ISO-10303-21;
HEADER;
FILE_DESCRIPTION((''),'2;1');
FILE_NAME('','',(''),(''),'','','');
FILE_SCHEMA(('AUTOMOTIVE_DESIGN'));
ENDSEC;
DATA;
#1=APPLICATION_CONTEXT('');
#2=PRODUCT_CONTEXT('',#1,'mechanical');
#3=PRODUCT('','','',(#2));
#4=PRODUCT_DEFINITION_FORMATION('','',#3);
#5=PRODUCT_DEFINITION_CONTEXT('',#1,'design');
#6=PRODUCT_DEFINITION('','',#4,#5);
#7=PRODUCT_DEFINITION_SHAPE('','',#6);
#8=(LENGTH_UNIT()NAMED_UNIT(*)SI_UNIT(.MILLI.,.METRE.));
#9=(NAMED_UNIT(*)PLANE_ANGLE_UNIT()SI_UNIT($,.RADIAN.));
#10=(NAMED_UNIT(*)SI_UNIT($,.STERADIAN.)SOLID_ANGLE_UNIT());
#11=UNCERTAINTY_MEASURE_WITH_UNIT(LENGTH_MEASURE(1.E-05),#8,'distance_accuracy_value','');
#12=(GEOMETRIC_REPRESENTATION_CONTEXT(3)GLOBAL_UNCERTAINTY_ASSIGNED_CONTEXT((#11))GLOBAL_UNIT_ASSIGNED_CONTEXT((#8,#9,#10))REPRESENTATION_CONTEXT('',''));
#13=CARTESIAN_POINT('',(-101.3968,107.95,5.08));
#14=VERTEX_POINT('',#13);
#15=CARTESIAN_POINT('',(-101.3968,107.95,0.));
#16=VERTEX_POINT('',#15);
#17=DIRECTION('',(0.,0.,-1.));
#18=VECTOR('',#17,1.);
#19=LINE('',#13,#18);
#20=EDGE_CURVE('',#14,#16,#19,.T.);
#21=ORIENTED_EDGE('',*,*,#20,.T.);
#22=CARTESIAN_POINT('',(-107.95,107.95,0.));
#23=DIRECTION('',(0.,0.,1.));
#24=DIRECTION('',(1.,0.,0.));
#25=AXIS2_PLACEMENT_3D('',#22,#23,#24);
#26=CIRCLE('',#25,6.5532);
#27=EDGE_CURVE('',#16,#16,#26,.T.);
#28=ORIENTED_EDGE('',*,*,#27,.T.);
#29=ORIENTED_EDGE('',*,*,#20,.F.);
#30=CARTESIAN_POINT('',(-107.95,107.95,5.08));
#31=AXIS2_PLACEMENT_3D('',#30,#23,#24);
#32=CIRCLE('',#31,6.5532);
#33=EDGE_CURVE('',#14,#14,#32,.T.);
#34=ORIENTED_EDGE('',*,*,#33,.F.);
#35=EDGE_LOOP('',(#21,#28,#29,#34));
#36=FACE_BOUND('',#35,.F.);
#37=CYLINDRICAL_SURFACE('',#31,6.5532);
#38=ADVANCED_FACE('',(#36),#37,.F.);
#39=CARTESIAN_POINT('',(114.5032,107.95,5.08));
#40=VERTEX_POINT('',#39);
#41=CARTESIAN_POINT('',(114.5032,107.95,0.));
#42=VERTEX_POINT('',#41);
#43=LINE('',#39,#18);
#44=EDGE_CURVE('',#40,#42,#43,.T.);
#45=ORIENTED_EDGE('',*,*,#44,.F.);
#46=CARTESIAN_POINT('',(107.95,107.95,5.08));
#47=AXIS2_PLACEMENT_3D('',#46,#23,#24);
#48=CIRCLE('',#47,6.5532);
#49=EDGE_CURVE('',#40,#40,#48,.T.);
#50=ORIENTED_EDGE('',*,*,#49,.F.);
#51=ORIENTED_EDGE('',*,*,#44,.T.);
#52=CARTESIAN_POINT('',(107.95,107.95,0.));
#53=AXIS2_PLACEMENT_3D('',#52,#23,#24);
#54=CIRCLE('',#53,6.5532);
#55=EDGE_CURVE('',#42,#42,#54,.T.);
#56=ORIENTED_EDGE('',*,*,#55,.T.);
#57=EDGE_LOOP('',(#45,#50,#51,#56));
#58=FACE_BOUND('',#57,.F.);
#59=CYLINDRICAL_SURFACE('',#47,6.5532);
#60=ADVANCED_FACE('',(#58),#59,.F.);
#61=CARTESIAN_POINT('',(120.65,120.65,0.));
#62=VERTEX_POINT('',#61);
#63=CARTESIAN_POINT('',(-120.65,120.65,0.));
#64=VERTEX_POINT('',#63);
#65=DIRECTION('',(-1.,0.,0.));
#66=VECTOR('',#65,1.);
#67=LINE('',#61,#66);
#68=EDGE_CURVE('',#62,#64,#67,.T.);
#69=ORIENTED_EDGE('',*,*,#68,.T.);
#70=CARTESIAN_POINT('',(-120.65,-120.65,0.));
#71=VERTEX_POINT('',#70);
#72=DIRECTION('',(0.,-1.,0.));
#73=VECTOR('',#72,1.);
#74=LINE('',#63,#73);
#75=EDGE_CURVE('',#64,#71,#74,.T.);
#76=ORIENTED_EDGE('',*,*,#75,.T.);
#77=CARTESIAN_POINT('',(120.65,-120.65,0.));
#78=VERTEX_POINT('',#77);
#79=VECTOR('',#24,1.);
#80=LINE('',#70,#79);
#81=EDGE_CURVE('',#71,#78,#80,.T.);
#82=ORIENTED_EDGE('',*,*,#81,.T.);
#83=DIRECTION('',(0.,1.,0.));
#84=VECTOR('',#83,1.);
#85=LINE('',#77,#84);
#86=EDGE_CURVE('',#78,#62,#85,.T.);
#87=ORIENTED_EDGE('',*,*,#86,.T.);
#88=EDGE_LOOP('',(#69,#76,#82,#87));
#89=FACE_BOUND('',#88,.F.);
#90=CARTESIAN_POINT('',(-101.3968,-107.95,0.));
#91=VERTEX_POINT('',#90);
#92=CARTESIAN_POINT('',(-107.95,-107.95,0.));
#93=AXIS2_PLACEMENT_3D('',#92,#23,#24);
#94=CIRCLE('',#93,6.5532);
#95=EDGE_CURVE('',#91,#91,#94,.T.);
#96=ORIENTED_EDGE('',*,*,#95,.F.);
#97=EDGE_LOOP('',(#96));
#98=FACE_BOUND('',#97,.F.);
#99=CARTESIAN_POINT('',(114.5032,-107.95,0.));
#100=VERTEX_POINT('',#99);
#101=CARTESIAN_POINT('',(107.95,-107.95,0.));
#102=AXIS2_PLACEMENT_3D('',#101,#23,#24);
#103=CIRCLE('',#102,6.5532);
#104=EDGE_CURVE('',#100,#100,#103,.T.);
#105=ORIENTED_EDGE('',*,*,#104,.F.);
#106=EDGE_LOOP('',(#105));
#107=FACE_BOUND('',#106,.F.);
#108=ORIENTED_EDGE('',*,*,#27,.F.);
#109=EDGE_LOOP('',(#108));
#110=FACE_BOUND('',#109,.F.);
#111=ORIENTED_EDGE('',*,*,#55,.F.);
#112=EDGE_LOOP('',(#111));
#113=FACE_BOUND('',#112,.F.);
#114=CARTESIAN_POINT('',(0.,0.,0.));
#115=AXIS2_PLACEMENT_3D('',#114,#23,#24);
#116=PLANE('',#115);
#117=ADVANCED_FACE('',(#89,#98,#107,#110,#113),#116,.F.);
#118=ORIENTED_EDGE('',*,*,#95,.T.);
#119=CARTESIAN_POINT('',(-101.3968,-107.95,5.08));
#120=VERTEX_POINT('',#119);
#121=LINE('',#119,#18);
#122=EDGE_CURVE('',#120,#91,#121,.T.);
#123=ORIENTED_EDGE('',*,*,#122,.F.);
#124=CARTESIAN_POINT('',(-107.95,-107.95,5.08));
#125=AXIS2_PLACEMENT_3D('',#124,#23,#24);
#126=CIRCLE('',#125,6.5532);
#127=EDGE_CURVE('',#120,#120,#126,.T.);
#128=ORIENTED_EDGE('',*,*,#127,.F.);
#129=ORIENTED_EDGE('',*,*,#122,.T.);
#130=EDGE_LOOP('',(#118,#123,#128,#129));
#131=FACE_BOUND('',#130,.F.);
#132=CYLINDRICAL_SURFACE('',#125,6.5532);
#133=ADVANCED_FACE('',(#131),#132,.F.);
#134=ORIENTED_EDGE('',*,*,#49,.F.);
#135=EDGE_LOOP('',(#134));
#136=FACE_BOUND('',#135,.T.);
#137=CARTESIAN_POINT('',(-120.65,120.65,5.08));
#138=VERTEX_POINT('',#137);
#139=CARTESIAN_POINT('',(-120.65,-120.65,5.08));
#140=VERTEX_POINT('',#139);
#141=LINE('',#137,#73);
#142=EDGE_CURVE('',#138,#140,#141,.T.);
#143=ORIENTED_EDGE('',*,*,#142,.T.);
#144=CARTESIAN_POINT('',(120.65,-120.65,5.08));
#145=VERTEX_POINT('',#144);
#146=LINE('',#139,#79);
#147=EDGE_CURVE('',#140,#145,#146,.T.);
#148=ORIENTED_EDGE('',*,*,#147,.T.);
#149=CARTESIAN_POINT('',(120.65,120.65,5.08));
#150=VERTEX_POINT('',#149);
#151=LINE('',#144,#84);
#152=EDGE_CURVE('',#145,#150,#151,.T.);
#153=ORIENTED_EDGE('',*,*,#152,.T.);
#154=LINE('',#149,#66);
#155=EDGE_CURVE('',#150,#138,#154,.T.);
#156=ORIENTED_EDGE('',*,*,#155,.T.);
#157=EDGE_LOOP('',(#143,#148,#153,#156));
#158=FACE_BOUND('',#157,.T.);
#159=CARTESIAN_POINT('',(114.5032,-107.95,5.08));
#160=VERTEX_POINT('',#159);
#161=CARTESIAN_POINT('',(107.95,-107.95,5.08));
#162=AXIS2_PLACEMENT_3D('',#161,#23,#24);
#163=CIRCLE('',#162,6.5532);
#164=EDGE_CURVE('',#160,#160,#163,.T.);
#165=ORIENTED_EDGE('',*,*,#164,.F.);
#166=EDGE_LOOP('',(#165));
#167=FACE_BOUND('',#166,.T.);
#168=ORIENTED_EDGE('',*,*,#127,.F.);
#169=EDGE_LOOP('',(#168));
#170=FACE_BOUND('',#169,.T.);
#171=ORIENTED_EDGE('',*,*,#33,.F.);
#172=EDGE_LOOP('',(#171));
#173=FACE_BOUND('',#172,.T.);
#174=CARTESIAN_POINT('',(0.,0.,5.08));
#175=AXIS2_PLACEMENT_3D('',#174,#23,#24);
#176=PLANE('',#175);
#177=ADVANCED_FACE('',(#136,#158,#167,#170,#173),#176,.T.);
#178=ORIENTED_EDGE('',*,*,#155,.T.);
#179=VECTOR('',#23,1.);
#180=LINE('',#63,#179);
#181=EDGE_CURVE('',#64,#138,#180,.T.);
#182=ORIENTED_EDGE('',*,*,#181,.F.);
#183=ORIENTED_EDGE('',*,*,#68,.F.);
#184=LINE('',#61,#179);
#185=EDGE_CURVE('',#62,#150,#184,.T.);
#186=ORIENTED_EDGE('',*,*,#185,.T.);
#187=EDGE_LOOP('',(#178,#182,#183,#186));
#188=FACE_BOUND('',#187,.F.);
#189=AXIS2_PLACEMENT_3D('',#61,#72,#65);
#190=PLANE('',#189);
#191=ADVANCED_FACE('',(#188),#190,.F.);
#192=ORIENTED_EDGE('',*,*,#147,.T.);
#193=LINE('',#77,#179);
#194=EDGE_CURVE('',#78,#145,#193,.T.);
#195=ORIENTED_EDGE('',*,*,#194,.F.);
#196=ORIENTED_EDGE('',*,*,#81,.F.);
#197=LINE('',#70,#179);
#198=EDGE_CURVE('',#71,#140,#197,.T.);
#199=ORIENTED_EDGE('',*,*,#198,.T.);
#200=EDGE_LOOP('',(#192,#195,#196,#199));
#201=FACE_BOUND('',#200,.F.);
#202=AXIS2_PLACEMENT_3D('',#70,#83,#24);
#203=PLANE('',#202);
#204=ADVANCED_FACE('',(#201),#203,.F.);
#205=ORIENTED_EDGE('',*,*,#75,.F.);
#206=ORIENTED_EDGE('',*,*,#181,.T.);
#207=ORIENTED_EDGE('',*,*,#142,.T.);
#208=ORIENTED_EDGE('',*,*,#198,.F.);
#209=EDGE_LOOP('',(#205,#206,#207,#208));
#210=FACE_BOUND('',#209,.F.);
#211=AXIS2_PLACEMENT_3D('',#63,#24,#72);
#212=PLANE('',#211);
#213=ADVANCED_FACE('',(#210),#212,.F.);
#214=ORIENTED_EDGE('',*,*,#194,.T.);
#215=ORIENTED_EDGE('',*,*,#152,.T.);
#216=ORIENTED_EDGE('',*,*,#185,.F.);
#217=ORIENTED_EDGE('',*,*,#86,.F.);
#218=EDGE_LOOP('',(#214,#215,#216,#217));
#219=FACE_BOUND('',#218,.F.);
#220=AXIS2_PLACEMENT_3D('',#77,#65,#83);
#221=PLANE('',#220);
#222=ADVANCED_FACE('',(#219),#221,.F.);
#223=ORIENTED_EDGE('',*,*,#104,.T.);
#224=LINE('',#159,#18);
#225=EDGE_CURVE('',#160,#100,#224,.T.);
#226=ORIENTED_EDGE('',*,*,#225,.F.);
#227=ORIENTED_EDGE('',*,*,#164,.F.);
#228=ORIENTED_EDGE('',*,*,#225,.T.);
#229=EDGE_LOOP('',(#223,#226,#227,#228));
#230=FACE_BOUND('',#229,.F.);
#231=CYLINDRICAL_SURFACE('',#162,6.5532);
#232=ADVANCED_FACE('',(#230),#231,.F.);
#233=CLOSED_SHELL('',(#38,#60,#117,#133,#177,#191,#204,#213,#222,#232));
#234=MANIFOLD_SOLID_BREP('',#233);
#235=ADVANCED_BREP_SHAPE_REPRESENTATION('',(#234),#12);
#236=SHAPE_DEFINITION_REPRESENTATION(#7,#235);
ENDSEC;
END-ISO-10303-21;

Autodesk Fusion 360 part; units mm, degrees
sketch "Module Outline" plane through (0, 0, 0) normal (0, 0, 1) x (1, 0, 0)
  line L0 (-120.65, -120.65) -> (120.65, -120.65)
  line L1 (120.65, -120.65) -> (120.65, 120.65)
  line L2 (120.65, 120.65) -> (-120.65, 120.65)
  line L3 (-120.65, 120.65) -> (-120.65, -120.65)
  line L4 (-120.65, -120.65) -> (120.65, 120.65) construction
  line L5 (120.65, -120.65) -> (-120.65, 120.65) construction
  dimension "d17" = 241.3
  dimension "d18" = 241.3
extrude "Shelf Plate" add sketch "Module Outline" along normal blind 5.08
sketch "Anchor Locations" plane through (0, 0, 5.08) normal (0, 0, 1) x (1, 0, 0)
  line L0 (-120.65, 120.65) -> (-120.65, -120.65)
  line L1 (-120.65, -120.65) -> (120.65, -120.65)
  line L2 (120.65, -120.65) -> (120.65, 120.65)
  line L3 (120.65, 120.65) -> (-120.65, 120.65)
  line L4 (120.65, 120.65) -> (107.95, 107.95) construction
  line L5 (120.65, -120.65) -> (120.65, 120.65) construction
  line L6 (-120.65, -120.65) -> (120.65, -120.65) construction
  line L7 (-120.65, 120.65) -> (-120.65, -120.65) construction
  line L8 (120.65, 120.65) -> (-120.65, 120.65) construction
  line L9 (0, 134.6139) -> (0, -139.7)
  point P0 (-107.95, 107.95)
  dimension "d22" = 12.7
  dimension "d23" = 12.7
sketch "Socket Geometry" plane through (0, 0, 5.08) normal (0, 0, 1) x (1, 0, 0)
  line L0 (-120.65, 120.65) -> (-120.65, -120.65)
  line L1 (-120.65, -120.65) -> (120.65, -120.65)
  line L2 (120.65, -120.65) -> (120.65, 120.65)
  line L3 (120.65, 120.65) -> (-120.65, 120.65)
  circle A0 centre (107.95, 107.95) radius 6.5532
  line L4 (0, 127) -> (0, -127)
  circle A1 centre (-107.95, 107.95) radius 6.5532
  line L5 (-130.6691, 0) -> (143.6907, 0)
  circle A2 centre (107.95, -107.95) radius 6.5532
  circle A3 centre (-107.95, -107.95) radius 6.5532
  point P0 (107.95, 107.95)
  point P1 (-101.6, 101.6)
  point P2 (-101.6, -101.6)
  point P3 (101.6, -101.6)
  dimension "d28" = 13.1064
extrude "Socket Cut" cut sketch "Socket Geometry" against normal blind 7.62 contours A0 | A1 | A2 | A3
equation "shelfLength = 12 in"
equation "shelfDepth = 8 in"
equation "shelfThickness = 0.20 in"
equation "lipHeight = 1 in"
equation "cornerRadius = 0.5 in"
equation "clearance = 0.008 in"
equation "tileWidth = 9.5 in"
equation "tileDepth = 9.5 in"
equation "tileThickness = 0.2 in"
equation "columnSocketDiameter = 0.75 in"
equation "columnDiameter = 0.7 in"
equation "socketInset = 0.5 in"
equation "socketDepth = 0.3 in"
equation "socketWall = 0.12 in"
equation "filletSmall = 0.06 in"
equation "filletMedium = 0.12 in"
equation "d17 = tileWidth"
equation "d18 = tileDepth"
equation "d19 = shelfThickness"
equation "anchorOffset = 0.5 in"
equation "d22 = anchorOffset"
equation "d23 = anchorOffset"
equation "pinDiameter = 0.5 in"
equation "socketDiameter = pinDiameter + ( 2 * clearance )"
equation "d28 = socketDiameter"
equation "d29 = -socketDepth"
